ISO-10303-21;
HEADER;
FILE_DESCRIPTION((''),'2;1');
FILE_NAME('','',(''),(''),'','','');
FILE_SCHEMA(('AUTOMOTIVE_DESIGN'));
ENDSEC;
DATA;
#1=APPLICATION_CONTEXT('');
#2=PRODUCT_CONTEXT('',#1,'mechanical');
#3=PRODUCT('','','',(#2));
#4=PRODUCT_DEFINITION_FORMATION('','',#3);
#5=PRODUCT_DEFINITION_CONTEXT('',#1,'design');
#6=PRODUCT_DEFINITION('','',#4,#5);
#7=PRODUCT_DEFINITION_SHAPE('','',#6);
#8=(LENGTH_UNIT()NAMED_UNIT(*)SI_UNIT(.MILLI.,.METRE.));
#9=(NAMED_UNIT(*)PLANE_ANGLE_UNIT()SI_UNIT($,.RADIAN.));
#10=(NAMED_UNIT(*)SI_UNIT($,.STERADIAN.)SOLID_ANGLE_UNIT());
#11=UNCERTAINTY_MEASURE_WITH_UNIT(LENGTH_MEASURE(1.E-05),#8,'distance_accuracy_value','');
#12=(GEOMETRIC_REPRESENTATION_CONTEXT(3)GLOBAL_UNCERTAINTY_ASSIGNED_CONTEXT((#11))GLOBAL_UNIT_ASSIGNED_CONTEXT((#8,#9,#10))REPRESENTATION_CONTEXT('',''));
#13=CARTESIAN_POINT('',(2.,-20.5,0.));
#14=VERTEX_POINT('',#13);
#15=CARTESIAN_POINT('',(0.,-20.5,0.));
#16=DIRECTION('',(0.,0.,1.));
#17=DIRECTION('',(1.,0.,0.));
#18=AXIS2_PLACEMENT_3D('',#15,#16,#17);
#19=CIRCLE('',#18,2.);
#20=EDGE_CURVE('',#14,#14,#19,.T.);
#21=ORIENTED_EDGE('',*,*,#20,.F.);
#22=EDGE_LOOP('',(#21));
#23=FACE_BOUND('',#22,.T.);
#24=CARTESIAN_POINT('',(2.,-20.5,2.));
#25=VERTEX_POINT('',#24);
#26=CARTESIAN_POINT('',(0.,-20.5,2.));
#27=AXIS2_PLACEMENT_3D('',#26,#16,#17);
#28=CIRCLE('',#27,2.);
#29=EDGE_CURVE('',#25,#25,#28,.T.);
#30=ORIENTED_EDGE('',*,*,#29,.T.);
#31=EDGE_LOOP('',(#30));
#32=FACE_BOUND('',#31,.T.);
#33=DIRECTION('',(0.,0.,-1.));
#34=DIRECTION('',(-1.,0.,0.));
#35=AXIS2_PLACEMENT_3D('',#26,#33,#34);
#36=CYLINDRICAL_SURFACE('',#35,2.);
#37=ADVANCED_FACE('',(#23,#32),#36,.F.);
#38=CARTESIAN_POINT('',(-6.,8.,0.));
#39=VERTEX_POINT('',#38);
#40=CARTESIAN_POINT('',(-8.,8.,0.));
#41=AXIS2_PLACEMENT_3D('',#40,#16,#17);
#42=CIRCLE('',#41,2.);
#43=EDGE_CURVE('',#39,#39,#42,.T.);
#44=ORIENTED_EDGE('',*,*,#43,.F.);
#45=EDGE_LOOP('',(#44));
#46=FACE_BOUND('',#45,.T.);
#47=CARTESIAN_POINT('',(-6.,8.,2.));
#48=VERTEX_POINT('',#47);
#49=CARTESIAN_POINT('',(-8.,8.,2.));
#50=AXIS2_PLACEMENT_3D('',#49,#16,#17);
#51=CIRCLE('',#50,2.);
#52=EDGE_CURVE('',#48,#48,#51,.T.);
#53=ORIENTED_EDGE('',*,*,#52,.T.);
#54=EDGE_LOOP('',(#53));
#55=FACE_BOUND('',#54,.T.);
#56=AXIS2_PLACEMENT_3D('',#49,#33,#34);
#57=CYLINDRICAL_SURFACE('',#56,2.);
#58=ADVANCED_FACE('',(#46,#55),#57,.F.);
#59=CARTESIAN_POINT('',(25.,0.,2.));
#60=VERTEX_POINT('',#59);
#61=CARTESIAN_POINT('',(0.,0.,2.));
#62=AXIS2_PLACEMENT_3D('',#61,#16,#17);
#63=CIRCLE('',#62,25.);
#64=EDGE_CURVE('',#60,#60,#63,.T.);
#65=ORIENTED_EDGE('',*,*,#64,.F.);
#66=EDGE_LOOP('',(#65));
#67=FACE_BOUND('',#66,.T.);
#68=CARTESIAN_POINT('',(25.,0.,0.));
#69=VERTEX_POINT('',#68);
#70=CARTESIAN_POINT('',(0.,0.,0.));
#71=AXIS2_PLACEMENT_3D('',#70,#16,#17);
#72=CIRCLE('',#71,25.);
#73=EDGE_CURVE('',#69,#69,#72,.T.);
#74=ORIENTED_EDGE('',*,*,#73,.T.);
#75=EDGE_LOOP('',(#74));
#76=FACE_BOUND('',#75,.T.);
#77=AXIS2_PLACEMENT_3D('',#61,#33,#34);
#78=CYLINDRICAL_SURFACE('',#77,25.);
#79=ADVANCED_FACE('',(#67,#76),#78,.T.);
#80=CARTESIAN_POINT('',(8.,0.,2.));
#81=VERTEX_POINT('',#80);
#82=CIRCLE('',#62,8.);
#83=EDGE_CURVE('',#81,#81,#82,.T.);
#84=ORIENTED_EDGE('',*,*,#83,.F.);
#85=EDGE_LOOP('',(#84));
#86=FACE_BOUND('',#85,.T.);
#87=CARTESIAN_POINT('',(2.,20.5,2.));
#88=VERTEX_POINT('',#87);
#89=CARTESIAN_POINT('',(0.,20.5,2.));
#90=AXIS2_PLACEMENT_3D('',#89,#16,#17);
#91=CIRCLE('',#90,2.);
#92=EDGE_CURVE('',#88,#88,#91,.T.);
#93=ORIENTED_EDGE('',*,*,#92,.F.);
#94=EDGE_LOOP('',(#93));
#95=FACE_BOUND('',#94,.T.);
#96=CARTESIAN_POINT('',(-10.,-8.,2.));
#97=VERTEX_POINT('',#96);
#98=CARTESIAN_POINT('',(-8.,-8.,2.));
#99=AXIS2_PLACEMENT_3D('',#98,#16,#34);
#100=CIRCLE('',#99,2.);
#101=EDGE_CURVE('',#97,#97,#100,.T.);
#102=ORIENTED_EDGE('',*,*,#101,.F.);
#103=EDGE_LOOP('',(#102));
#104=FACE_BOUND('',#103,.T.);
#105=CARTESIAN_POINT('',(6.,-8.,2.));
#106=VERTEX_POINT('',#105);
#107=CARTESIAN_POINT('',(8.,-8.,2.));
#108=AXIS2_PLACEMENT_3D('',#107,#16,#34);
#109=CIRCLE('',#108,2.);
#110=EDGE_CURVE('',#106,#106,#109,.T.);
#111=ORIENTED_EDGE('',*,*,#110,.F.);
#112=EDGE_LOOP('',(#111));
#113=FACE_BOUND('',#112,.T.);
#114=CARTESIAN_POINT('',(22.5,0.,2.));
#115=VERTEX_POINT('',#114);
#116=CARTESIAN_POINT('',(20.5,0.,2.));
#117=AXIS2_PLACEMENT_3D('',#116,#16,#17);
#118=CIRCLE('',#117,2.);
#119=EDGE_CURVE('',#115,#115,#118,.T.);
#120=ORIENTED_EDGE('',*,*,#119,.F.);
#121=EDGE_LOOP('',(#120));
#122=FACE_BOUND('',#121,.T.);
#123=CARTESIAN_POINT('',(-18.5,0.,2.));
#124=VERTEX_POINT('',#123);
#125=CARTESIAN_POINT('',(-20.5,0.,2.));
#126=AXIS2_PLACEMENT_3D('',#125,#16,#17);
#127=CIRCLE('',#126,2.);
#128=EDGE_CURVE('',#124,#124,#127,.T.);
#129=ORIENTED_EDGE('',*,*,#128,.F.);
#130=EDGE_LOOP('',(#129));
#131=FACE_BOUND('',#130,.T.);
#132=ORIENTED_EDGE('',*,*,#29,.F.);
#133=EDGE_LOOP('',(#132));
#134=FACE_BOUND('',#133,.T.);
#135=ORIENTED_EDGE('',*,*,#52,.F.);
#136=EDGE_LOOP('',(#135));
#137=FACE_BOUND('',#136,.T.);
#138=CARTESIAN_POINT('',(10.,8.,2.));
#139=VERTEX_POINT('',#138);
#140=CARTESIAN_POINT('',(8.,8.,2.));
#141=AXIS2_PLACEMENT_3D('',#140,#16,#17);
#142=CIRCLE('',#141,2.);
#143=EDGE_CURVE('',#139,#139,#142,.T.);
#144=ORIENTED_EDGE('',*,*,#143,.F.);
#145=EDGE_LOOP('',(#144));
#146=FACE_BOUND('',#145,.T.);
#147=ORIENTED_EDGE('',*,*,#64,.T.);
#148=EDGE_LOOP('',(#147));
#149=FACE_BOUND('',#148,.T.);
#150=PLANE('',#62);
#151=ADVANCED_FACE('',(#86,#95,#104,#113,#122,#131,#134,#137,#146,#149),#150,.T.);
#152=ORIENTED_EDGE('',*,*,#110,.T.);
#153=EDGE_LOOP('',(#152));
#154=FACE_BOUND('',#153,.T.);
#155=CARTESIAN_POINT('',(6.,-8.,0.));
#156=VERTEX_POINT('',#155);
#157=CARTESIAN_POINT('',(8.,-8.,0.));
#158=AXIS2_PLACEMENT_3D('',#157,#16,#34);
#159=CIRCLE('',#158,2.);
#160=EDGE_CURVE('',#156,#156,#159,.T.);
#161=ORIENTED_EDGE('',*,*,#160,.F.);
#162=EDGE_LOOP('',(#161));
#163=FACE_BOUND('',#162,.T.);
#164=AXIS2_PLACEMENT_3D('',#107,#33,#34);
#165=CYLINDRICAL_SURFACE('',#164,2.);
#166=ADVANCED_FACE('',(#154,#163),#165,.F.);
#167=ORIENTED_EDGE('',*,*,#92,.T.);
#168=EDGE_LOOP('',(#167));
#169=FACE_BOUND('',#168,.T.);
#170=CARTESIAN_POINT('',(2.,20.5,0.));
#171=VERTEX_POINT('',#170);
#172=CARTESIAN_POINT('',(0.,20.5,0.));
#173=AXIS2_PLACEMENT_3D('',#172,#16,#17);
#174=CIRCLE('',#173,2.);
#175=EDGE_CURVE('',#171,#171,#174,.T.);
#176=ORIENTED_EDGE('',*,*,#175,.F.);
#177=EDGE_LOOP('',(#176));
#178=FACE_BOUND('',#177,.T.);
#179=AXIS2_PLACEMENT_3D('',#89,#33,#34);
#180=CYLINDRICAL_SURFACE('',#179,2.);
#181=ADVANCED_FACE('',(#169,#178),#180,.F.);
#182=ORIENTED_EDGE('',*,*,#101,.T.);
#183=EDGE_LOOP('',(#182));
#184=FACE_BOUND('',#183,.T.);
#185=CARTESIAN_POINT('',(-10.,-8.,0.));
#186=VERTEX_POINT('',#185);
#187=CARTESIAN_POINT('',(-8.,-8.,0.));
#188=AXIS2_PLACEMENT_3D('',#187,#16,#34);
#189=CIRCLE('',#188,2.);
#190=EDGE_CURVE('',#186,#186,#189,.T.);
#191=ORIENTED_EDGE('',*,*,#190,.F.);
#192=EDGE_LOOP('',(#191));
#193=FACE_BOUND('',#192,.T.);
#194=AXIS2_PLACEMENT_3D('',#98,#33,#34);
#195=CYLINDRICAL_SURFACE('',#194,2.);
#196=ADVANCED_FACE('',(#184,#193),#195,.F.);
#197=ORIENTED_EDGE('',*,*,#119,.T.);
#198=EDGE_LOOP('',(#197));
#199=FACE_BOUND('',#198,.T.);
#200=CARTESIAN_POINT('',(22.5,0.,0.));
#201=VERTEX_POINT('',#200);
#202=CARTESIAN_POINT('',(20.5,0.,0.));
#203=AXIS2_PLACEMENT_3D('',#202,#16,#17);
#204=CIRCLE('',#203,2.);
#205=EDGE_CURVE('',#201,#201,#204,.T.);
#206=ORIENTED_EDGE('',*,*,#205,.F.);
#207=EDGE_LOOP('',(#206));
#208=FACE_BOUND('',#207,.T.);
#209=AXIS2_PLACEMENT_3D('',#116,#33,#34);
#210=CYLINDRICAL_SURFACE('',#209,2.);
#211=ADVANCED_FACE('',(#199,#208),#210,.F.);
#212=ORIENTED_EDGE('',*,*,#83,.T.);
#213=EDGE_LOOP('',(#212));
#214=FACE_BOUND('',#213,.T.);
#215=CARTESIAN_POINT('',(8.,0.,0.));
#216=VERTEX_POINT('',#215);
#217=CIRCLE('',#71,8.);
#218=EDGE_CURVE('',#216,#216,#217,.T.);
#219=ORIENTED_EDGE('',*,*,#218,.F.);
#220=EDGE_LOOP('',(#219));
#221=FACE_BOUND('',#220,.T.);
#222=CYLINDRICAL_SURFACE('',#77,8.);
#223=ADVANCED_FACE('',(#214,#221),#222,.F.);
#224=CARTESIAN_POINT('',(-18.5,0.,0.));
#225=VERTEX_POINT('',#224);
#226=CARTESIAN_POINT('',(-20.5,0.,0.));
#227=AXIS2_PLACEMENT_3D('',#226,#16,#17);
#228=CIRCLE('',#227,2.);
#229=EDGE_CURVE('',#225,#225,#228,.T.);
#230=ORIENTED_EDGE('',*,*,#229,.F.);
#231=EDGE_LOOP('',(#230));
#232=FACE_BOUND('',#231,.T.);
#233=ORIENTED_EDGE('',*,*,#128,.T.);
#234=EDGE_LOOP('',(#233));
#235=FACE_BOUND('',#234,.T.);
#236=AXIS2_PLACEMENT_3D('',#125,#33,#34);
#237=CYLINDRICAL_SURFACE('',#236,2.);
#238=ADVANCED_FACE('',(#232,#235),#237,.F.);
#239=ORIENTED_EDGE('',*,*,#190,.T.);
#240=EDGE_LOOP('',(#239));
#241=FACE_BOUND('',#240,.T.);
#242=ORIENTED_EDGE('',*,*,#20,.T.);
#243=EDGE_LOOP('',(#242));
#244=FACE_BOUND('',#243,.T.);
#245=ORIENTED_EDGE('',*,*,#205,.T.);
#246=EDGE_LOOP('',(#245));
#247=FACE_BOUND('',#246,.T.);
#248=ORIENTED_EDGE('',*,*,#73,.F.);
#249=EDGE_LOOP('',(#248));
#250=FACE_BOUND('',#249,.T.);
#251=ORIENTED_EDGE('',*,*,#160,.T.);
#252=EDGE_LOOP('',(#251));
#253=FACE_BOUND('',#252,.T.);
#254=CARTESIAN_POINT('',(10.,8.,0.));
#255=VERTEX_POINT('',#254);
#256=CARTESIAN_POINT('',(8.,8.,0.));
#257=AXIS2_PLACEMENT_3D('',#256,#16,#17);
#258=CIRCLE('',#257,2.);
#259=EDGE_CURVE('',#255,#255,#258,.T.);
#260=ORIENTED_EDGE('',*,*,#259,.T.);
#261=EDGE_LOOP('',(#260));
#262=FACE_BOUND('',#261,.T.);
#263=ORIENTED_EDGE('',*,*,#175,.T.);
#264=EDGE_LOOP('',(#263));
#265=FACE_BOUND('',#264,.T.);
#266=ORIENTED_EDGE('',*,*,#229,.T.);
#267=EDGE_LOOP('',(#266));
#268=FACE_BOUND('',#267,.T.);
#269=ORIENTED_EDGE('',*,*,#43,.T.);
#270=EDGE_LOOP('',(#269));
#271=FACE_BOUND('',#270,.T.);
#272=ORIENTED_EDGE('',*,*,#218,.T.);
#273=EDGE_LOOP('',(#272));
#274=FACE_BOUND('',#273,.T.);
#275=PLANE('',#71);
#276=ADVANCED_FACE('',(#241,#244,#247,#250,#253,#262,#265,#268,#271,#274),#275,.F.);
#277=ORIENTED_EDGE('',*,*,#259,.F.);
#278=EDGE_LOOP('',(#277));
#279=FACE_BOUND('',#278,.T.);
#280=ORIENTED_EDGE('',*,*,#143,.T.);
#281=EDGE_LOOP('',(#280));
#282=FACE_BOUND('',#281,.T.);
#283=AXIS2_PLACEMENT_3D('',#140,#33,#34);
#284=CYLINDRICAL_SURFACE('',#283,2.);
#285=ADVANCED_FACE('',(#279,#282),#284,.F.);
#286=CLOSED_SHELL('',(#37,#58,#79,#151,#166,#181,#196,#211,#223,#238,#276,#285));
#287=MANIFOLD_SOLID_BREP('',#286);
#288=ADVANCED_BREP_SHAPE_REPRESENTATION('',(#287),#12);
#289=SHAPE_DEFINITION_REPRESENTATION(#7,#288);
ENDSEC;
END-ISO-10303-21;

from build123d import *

# Parameters (mm, degrees)
SKETCH1_R           = 25
SKETCH1_R_2         = 8
SKETCH1_R_3         = 2
BOSS_EXTRUDE1_DEPTH = 2


with BuildPart() as part:
    # Sketch1 → Boss-Extrude1 (new body)
    with BuildSketch(Plane.XY):
        Circle(SKETCH1_R)
        Circle(SKETCH1_R_2, mode=Mode.SUBTRACT)
        with Locations((-8, 8)):
            Circle(SKETCH1_R_3, mode=Mode.SUBTRACT)
        with Locations((8, 8)):
            Circle(SKETCH1_R_3, mode=Mode.SUBTRACT)
        with Locations(Location((8, -8, 0), (0, 0, 180))):
            Circle(SKETCH1_R_3, mode=Mode.SUBTRACT)
        with Locations(Location((-8, -8, 0), (0, 0, 180))):
            Circle(SKETCH1_R_3, mode=Mode.SUBTRACT)
        with Locations((0, 20.5)):
            Circle(SKETCH1_R_3, mode=Mode.SUBTRACT)
        with Locations((20.5, 0)):
            Circle(SKETCH1_R_3, mode=Mode.SUBTRACT)
        with Locations((0, -20.5)):
            Circle(SKETCH1_R_3, mode=Mode.SUBTRACT)
        with Locations((-20.5, 0)):
            Circle(SKETCH1_R_3, mode=Mode.SUBTRACT)
    extrude(amount=BOSS_EXTRUDE1_DEPTH)


solid = part.part
